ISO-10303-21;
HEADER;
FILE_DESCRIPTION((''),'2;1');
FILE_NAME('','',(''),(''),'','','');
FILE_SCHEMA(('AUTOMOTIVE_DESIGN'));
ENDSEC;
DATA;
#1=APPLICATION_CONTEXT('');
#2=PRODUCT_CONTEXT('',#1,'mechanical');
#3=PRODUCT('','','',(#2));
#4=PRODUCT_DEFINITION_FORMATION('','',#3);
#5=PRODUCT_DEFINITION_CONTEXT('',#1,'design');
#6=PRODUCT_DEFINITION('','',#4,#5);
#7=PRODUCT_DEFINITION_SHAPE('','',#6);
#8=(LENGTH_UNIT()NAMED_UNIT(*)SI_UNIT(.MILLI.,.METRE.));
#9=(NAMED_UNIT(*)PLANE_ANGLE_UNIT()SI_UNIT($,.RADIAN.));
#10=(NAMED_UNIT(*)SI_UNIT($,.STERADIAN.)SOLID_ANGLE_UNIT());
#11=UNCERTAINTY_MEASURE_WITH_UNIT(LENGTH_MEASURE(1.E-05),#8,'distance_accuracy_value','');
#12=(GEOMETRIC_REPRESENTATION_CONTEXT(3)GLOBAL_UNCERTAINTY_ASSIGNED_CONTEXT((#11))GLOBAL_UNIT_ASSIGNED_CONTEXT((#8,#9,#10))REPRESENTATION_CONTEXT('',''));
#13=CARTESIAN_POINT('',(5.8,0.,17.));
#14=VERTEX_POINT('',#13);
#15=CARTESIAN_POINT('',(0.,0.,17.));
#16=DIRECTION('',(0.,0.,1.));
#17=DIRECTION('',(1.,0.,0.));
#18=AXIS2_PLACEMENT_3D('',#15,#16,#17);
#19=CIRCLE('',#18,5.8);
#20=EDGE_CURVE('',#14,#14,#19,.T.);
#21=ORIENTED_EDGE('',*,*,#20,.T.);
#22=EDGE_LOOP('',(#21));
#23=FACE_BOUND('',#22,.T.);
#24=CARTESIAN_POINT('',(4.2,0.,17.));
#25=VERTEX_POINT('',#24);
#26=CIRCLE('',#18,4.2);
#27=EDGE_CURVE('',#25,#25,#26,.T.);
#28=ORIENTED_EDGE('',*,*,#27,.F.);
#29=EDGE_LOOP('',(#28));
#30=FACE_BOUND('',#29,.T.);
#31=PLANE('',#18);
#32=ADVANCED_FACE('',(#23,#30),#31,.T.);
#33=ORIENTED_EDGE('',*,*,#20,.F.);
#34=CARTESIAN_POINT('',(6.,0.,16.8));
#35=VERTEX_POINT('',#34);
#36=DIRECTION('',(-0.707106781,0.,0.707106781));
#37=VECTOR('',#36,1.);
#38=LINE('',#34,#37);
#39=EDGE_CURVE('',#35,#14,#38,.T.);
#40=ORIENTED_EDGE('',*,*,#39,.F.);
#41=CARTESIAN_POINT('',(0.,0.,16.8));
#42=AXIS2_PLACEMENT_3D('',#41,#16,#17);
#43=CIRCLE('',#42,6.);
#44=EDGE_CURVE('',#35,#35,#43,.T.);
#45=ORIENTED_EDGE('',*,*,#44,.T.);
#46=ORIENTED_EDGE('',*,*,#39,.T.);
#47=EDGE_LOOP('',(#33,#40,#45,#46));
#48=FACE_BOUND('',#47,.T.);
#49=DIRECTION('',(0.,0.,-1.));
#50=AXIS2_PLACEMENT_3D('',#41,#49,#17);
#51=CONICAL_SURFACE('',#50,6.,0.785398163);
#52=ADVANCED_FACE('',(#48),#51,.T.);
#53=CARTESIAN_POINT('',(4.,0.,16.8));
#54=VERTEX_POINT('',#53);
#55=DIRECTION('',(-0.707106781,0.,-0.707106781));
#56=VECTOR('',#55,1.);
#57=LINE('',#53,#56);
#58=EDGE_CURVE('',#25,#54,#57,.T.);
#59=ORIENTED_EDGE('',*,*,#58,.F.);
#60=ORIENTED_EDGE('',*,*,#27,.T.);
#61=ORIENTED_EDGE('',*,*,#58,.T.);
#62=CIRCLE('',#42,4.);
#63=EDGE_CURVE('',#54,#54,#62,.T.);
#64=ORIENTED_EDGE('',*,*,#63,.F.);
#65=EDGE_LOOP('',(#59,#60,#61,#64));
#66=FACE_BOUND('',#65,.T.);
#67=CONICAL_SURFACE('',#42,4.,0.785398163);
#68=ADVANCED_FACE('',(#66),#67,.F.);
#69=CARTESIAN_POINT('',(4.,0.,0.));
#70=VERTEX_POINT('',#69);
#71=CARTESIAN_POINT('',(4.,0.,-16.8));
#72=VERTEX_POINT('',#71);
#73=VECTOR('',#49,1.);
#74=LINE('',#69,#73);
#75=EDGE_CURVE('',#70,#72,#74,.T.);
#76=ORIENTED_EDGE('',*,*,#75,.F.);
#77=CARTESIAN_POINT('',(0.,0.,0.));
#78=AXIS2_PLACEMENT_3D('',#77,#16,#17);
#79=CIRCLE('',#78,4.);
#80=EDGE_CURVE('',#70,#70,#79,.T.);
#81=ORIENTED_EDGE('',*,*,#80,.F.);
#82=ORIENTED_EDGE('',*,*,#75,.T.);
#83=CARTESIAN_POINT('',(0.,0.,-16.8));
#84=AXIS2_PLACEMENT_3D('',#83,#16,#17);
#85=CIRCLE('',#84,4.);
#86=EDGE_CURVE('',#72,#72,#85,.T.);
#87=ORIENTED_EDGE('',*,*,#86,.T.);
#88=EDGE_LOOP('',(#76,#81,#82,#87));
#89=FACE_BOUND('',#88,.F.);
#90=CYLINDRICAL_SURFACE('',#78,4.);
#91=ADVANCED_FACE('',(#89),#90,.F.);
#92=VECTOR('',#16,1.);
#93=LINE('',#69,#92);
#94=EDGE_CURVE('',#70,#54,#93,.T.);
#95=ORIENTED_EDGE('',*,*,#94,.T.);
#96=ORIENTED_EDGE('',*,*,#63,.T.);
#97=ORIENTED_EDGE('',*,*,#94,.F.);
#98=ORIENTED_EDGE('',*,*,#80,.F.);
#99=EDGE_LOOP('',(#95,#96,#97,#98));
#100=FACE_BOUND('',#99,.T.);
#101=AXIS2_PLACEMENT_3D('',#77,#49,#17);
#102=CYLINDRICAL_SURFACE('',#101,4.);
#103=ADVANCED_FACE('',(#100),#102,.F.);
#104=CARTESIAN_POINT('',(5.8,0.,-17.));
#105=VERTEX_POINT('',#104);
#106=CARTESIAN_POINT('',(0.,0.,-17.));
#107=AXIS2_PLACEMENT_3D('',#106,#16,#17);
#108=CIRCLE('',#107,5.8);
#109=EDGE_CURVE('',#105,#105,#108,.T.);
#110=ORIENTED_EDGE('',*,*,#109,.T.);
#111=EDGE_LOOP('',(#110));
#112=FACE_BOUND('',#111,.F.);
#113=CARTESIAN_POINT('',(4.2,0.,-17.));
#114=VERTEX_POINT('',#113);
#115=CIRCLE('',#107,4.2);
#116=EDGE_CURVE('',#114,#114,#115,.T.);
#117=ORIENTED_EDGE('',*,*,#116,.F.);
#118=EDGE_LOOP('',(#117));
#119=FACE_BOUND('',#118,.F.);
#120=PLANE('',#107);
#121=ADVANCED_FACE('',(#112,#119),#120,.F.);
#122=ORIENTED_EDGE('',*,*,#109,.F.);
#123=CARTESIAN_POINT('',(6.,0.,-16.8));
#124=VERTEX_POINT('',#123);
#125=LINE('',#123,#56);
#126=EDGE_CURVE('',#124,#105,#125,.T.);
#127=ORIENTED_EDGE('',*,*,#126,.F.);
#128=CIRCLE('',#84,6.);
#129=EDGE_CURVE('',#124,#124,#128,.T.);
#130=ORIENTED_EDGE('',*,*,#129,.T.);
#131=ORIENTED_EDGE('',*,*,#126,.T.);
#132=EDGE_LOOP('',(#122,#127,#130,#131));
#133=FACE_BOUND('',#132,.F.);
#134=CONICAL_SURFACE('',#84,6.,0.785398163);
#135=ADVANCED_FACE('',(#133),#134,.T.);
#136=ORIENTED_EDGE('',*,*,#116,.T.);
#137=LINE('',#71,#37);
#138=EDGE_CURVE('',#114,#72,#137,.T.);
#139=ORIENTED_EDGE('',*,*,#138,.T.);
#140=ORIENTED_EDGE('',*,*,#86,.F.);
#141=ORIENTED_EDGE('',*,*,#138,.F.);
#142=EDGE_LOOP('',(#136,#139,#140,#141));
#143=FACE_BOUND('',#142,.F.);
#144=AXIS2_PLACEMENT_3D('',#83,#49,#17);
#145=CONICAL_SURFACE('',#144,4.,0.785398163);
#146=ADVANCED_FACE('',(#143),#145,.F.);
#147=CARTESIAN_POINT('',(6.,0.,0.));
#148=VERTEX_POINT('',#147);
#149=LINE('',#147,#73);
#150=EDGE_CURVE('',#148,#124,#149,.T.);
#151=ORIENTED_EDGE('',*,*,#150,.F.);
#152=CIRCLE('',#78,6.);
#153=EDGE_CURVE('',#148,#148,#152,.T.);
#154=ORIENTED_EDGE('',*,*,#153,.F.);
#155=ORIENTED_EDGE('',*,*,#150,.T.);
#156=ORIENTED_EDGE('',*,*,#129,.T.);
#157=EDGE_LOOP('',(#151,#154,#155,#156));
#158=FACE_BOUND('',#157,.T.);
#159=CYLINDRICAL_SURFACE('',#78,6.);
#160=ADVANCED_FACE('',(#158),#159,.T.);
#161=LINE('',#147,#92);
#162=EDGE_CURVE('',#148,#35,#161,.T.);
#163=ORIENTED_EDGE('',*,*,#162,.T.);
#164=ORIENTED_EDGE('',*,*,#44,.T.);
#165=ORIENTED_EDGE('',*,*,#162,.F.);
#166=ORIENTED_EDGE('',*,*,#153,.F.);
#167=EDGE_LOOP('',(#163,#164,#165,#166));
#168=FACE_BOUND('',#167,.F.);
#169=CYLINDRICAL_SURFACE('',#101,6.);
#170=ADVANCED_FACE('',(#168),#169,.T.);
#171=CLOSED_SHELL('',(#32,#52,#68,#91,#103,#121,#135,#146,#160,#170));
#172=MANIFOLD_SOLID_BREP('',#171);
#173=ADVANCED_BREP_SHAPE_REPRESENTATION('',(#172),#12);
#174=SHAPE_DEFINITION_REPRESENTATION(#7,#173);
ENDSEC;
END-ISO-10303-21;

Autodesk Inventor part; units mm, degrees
ref_plane "YZ Plane" through (0, 0, 0) normal (1, 0, 0) x (0, 1, 0)
ref_plane "XZ Plane" through (0, 0, 0) normal (0, 1, 0) x (-1, 0, 0)
ref_plane "XY Plane" through (0, 0, 0) normal (0, 0, 1) x (1, 0, 0)
sketch "スケッチ1" plane through (0, 0, 0) normal (0, 0, 1) x (1, 0, 0)
  circle A0 centre (0, 0) radius 4
  circle A1 centre (0, 0) radius 6
  dimension "d0" = 8
  dimension "d1" = 12
extrude "押し出し1" add sketch "スケッチ1" along normal mid plane 34
chamfer "面取り1" distance 0.2 angle 45 4 edges at (-6, 0, 17) (-4, 0, 17) (-6, 0, -17) (-4, 0, -17)
properties part number "spacer2" material "ABS プラスチック"
